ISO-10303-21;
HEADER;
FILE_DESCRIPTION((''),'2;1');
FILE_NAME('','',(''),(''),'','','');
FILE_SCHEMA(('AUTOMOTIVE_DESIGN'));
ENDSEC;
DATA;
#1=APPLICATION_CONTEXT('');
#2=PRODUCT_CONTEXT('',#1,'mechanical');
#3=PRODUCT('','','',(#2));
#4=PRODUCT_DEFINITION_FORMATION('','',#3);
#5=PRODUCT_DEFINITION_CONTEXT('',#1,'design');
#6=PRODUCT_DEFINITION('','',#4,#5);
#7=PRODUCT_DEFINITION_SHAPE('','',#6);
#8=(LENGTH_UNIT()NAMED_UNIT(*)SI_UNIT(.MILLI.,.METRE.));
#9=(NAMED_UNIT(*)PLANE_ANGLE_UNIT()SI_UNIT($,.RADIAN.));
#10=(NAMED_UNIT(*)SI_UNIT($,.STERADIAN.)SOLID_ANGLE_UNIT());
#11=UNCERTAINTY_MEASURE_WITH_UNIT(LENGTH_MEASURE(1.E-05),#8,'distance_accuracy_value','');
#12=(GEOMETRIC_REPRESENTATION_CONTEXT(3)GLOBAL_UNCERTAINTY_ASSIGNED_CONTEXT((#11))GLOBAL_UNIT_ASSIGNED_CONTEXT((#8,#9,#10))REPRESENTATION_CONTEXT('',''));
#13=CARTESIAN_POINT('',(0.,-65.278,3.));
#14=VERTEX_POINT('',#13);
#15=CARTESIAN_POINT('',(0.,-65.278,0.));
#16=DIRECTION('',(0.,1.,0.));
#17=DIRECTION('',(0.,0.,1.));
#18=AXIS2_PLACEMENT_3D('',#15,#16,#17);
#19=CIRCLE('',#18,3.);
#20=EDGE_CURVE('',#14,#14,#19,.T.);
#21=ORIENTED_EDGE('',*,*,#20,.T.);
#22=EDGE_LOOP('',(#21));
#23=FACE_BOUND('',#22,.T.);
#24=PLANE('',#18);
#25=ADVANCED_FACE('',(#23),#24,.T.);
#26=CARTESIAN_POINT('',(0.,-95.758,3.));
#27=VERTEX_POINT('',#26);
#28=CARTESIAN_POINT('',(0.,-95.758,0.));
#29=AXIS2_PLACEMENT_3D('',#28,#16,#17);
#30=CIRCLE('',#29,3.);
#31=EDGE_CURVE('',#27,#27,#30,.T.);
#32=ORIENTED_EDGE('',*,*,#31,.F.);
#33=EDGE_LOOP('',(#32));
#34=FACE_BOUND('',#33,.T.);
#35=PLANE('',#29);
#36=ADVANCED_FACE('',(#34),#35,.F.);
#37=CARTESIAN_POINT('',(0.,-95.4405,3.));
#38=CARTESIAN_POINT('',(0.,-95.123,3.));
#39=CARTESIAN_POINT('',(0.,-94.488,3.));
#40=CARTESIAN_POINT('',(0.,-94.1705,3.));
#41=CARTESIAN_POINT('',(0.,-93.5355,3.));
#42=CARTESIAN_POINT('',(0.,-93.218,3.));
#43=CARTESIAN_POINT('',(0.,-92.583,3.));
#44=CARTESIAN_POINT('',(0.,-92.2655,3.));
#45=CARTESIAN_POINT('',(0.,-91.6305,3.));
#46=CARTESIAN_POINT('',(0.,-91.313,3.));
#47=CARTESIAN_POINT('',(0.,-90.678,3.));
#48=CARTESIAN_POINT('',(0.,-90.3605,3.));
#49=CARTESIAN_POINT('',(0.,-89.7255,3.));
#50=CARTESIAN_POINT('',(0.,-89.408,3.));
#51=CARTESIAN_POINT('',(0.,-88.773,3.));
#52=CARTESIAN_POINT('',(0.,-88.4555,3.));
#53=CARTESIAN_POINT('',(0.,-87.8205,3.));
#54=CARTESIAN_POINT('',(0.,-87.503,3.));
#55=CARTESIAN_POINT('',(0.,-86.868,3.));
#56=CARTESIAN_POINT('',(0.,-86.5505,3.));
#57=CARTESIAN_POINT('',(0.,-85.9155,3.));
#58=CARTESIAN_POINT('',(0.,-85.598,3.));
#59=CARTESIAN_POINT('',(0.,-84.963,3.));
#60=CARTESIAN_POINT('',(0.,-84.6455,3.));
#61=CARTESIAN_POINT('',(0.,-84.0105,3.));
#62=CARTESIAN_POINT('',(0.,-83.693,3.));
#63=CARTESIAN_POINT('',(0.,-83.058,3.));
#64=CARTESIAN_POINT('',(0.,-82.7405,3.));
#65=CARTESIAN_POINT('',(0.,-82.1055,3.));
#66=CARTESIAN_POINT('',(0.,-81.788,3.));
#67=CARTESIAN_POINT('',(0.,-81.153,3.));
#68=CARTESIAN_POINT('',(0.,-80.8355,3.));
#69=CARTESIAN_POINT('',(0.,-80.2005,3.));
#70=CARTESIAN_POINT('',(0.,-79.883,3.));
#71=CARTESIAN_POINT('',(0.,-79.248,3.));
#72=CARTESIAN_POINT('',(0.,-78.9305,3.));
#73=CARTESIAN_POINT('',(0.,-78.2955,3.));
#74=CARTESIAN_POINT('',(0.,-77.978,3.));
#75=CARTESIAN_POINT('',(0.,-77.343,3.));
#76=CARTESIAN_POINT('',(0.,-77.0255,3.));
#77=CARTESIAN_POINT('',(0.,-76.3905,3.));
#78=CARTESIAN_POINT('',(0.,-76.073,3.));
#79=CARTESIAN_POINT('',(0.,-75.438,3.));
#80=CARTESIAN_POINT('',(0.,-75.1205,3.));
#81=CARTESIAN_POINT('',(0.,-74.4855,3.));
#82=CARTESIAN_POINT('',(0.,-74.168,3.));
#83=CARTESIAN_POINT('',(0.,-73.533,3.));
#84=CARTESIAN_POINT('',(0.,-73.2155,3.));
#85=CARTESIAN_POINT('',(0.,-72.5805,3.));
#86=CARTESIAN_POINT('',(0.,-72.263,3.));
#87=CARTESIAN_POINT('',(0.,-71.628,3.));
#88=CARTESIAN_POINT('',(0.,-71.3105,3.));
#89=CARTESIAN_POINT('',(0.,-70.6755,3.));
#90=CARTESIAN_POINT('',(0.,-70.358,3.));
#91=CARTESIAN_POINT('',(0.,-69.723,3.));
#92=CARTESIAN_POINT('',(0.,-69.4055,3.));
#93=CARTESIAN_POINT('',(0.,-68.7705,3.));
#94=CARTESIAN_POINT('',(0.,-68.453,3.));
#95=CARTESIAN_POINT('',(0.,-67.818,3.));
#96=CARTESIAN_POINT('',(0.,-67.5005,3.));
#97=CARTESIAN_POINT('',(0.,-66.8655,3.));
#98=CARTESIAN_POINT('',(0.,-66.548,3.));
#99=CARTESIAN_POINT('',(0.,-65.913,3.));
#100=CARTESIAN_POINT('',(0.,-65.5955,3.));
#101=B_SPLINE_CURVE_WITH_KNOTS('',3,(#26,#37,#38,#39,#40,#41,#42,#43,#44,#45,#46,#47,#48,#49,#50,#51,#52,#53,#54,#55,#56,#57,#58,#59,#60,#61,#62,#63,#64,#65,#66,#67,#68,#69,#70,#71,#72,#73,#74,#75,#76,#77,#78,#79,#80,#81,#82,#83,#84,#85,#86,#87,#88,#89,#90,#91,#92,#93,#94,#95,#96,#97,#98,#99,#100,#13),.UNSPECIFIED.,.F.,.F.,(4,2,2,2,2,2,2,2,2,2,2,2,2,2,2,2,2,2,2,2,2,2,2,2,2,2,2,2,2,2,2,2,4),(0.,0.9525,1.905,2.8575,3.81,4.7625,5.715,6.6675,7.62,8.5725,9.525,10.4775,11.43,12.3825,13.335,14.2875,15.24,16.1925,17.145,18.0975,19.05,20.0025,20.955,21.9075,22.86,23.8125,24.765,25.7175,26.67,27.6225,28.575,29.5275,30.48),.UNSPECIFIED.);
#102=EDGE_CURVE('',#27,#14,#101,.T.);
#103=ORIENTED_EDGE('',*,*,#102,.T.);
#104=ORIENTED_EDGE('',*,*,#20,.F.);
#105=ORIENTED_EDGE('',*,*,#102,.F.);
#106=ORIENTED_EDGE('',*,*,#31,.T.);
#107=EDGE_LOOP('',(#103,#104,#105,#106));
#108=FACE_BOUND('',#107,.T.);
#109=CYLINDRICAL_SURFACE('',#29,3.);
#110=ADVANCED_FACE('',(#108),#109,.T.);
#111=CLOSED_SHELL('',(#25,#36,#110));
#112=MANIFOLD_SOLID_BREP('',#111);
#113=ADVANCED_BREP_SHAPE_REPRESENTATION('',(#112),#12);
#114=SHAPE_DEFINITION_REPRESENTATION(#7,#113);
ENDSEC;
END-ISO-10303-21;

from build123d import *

# Parameters (mm, degrees)
BOSS_EXTRUDE1_START = -65.278
SKETCH1_R           = 3
BOSS_EXTRUDE1_DEPTH = 30.48


with BuildPart() as part:
    # Sketch1 → Boss-Extrude1 (new body)
    with BuildSketch(Plane(origin=(0, 0, 0), x_dir=(1, 0, 0), z_dir=(0, 1, 0)).offset(BOSS_EXTRUDE1_START)):
        with Locations(Location((0, 0, 0), (0, 0, 270))):
            Circle(SKETCH1_R)
    extrude(amount=-BOSS_EXTRUDE1_DEPTH)


solid = part.part
